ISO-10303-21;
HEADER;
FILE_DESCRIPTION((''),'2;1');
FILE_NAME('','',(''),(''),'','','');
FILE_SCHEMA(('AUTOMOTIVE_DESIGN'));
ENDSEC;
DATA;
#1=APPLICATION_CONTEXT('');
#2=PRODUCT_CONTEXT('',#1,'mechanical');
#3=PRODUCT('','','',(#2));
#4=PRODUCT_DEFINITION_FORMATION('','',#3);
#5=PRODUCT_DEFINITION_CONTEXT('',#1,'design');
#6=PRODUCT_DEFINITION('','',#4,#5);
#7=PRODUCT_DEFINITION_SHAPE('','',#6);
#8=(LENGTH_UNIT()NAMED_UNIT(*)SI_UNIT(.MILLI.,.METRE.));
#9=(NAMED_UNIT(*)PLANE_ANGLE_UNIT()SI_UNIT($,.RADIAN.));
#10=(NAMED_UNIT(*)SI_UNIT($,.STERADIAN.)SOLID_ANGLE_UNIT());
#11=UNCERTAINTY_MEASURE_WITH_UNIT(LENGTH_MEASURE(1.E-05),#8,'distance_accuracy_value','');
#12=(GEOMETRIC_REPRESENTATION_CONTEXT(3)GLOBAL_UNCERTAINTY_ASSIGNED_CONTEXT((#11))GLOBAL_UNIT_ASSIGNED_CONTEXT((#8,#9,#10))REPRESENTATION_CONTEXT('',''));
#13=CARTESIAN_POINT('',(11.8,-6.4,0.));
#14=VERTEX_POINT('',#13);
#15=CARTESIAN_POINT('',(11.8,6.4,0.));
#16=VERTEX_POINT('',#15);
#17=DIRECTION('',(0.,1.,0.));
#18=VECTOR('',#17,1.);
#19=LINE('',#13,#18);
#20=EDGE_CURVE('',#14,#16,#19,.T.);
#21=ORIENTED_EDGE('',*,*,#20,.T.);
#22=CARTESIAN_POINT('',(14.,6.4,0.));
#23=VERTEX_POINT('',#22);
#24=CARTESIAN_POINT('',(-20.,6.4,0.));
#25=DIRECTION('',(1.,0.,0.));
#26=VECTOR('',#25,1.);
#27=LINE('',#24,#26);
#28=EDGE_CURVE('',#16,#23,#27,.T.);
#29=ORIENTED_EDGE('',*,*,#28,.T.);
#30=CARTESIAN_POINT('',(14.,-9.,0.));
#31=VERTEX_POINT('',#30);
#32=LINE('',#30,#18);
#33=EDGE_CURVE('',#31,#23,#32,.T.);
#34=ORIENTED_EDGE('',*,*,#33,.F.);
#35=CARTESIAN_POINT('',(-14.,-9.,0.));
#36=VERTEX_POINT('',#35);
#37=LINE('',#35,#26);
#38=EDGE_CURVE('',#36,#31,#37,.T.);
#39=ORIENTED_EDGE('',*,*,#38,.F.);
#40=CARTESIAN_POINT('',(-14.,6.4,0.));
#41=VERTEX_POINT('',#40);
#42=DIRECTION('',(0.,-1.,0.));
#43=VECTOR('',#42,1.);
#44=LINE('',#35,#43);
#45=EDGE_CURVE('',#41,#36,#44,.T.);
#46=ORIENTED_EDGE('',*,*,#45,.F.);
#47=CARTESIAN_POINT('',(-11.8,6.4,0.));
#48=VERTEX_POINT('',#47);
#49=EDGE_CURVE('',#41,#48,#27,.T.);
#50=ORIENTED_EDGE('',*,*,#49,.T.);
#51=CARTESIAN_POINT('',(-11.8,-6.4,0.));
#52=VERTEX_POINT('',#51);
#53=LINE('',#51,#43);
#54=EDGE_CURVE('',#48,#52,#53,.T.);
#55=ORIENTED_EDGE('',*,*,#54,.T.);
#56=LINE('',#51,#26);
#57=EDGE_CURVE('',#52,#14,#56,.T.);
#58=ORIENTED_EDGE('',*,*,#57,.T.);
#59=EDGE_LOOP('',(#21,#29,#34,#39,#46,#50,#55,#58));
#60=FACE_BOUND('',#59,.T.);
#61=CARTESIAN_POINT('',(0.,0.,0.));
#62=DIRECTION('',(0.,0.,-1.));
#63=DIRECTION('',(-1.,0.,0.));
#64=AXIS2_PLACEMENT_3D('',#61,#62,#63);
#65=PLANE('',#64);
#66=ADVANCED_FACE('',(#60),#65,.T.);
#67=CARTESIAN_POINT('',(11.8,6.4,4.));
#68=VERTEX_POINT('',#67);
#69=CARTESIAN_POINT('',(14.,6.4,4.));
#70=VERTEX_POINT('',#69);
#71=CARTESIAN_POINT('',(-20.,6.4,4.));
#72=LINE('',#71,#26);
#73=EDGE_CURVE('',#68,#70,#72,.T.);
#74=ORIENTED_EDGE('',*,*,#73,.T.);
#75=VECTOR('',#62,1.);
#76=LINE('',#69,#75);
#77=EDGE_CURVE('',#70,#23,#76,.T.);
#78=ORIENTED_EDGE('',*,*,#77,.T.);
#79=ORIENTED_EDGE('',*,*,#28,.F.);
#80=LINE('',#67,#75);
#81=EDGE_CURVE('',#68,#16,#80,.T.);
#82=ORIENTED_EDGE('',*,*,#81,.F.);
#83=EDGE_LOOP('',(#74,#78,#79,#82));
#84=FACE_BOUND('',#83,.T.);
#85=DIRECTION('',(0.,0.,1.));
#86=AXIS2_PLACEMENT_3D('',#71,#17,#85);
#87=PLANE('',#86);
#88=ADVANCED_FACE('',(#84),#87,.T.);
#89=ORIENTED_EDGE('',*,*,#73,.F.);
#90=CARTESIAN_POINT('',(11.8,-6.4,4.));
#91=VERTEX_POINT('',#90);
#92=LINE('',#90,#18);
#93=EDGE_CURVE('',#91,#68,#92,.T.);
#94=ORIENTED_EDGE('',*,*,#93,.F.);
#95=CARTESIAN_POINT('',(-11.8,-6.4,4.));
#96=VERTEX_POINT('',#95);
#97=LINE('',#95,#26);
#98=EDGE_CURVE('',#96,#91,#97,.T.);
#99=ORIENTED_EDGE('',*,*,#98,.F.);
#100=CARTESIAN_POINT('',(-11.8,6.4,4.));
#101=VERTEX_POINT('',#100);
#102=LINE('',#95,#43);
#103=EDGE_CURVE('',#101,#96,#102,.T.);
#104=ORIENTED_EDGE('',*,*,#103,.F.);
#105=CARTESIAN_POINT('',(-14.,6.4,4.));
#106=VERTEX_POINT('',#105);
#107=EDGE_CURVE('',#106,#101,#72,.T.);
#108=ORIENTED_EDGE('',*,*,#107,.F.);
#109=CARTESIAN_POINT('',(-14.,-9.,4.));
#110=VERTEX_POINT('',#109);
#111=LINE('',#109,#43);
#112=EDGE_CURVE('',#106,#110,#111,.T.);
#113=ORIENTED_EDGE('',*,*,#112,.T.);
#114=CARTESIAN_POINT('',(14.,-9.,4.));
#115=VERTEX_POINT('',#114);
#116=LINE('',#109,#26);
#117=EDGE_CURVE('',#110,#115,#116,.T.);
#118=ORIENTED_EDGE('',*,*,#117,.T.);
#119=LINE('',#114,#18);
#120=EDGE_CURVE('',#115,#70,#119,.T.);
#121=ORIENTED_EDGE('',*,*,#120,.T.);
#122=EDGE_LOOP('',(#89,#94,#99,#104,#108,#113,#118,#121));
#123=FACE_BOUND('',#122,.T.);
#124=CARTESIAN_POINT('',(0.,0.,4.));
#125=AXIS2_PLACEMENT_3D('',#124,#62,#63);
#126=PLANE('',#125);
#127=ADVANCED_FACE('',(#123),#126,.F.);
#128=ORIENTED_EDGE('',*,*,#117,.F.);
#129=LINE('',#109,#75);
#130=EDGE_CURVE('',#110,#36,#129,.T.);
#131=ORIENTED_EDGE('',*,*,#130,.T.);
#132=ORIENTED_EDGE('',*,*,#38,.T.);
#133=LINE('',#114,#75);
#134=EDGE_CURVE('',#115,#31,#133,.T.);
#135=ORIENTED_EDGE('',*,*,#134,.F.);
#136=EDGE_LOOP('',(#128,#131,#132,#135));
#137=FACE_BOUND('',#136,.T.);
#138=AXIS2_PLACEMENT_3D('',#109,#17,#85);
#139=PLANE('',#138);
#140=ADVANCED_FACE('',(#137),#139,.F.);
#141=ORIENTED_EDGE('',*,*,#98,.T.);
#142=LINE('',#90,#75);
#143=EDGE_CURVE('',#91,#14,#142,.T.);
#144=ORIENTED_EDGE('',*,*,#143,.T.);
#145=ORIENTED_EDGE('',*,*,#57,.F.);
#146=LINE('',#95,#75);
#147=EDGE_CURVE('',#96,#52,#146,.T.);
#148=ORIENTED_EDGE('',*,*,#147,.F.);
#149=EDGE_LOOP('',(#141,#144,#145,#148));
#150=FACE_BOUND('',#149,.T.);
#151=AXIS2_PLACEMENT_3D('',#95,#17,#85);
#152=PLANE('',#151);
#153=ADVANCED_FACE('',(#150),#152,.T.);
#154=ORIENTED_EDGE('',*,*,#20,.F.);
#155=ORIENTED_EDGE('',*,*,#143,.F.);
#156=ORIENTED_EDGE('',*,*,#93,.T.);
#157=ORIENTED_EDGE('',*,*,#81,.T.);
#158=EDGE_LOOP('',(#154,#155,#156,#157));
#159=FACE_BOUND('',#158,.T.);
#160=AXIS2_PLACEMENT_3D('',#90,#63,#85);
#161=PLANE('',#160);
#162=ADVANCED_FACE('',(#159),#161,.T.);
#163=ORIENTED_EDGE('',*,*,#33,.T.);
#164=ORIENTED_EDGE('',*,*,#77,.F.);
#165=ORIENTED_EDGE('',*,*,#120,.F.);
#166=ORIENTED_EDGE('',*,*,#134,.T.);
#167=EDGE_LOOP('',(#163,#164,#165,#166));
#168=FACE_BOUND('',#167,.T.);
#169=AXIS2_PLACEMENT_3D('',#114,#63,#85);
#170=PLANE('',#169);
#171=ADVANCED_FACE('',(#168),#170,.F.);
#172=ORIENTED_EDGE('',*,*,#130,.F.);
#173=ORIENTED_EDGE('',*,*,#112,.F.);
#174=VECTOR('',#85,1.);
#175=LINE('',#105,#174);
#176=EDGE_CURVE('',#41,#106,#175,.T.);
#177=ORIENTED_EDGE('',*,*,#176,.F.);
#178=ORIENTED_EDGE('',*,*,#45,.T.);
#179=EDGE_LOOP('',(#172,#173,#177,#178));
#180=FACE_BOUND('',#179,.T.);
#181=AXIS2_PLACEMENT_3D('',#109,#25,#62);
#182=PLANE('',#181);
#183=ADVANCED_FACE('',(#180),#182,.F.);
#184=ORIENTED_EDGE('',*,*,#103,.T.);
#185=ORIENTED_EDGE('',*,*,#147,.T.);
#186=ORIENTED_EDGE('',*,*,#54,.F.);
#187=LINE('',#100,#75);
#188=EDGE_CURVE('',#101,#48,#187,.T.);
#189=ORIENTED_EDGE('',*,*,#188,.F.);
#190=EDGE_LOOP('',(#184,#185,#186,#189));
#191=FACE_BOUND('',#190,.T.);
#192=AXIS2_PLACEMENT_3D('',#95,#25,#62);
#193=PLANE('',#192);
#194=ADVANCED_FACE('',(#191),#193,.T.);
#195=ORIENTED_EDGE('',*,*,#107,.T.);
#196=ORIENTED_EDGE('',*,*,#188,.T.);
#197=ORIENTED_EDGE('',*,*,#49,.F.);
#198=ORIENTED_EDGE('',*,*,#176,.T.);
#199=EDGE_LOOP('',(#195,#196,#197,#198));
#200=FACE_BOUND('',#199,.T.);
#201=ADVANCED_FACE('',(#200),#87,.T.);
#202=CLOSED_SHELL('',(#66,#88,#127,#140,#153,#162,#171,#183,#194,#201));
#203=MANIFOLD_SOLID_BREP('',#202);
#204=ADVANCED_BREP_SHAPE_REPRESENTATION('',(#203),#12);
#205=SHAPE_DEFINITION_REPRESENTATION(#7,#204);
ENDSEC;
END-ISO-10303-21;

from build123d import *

# Parameters (mm, degrees)
SKETCH2_W                           = 28
SKETCH2_H                           = 18
SKETCH2_W_2                         = 23.6
SKETCH2_H_2                         = 12.8
SERVO_MOUNT_CRADLE_DEPTH            = 4
SKETCH3_W                           = 40
SKETCH3_H                           = 10
REAR_WALL_CLEARANCE_U_BRACKET_DEPTH = 18.117242769


with BuildPart() as part:
    # Sketch2 → Servo_mount_cradle (new body)
    with BuildSketch(Plane.XY):
        Rectangle(SKETCH2_W, SKETCH2_H)
        Rectangle(SKETCH2_W_2, SKETCH2_H_2, mode=Mode.SUBTRACT)
    extrude(amount=SERVO_MOUNT_CRADLE_DEPTH)

    # Sketch3 → Rear_wall_clearance_U_bracket (cut, through all)
    with BuildSketch(Plane.XY):
        with Locations((0, 11.4)):
            Rectangle(SKETCH3_W, SKETCH3_H)
    extrude(amount=REAR_WALL_CLEARANCE_U_BRACKET_DEPTH, mode=Mode.SUBTRACT)


solid = part.part
